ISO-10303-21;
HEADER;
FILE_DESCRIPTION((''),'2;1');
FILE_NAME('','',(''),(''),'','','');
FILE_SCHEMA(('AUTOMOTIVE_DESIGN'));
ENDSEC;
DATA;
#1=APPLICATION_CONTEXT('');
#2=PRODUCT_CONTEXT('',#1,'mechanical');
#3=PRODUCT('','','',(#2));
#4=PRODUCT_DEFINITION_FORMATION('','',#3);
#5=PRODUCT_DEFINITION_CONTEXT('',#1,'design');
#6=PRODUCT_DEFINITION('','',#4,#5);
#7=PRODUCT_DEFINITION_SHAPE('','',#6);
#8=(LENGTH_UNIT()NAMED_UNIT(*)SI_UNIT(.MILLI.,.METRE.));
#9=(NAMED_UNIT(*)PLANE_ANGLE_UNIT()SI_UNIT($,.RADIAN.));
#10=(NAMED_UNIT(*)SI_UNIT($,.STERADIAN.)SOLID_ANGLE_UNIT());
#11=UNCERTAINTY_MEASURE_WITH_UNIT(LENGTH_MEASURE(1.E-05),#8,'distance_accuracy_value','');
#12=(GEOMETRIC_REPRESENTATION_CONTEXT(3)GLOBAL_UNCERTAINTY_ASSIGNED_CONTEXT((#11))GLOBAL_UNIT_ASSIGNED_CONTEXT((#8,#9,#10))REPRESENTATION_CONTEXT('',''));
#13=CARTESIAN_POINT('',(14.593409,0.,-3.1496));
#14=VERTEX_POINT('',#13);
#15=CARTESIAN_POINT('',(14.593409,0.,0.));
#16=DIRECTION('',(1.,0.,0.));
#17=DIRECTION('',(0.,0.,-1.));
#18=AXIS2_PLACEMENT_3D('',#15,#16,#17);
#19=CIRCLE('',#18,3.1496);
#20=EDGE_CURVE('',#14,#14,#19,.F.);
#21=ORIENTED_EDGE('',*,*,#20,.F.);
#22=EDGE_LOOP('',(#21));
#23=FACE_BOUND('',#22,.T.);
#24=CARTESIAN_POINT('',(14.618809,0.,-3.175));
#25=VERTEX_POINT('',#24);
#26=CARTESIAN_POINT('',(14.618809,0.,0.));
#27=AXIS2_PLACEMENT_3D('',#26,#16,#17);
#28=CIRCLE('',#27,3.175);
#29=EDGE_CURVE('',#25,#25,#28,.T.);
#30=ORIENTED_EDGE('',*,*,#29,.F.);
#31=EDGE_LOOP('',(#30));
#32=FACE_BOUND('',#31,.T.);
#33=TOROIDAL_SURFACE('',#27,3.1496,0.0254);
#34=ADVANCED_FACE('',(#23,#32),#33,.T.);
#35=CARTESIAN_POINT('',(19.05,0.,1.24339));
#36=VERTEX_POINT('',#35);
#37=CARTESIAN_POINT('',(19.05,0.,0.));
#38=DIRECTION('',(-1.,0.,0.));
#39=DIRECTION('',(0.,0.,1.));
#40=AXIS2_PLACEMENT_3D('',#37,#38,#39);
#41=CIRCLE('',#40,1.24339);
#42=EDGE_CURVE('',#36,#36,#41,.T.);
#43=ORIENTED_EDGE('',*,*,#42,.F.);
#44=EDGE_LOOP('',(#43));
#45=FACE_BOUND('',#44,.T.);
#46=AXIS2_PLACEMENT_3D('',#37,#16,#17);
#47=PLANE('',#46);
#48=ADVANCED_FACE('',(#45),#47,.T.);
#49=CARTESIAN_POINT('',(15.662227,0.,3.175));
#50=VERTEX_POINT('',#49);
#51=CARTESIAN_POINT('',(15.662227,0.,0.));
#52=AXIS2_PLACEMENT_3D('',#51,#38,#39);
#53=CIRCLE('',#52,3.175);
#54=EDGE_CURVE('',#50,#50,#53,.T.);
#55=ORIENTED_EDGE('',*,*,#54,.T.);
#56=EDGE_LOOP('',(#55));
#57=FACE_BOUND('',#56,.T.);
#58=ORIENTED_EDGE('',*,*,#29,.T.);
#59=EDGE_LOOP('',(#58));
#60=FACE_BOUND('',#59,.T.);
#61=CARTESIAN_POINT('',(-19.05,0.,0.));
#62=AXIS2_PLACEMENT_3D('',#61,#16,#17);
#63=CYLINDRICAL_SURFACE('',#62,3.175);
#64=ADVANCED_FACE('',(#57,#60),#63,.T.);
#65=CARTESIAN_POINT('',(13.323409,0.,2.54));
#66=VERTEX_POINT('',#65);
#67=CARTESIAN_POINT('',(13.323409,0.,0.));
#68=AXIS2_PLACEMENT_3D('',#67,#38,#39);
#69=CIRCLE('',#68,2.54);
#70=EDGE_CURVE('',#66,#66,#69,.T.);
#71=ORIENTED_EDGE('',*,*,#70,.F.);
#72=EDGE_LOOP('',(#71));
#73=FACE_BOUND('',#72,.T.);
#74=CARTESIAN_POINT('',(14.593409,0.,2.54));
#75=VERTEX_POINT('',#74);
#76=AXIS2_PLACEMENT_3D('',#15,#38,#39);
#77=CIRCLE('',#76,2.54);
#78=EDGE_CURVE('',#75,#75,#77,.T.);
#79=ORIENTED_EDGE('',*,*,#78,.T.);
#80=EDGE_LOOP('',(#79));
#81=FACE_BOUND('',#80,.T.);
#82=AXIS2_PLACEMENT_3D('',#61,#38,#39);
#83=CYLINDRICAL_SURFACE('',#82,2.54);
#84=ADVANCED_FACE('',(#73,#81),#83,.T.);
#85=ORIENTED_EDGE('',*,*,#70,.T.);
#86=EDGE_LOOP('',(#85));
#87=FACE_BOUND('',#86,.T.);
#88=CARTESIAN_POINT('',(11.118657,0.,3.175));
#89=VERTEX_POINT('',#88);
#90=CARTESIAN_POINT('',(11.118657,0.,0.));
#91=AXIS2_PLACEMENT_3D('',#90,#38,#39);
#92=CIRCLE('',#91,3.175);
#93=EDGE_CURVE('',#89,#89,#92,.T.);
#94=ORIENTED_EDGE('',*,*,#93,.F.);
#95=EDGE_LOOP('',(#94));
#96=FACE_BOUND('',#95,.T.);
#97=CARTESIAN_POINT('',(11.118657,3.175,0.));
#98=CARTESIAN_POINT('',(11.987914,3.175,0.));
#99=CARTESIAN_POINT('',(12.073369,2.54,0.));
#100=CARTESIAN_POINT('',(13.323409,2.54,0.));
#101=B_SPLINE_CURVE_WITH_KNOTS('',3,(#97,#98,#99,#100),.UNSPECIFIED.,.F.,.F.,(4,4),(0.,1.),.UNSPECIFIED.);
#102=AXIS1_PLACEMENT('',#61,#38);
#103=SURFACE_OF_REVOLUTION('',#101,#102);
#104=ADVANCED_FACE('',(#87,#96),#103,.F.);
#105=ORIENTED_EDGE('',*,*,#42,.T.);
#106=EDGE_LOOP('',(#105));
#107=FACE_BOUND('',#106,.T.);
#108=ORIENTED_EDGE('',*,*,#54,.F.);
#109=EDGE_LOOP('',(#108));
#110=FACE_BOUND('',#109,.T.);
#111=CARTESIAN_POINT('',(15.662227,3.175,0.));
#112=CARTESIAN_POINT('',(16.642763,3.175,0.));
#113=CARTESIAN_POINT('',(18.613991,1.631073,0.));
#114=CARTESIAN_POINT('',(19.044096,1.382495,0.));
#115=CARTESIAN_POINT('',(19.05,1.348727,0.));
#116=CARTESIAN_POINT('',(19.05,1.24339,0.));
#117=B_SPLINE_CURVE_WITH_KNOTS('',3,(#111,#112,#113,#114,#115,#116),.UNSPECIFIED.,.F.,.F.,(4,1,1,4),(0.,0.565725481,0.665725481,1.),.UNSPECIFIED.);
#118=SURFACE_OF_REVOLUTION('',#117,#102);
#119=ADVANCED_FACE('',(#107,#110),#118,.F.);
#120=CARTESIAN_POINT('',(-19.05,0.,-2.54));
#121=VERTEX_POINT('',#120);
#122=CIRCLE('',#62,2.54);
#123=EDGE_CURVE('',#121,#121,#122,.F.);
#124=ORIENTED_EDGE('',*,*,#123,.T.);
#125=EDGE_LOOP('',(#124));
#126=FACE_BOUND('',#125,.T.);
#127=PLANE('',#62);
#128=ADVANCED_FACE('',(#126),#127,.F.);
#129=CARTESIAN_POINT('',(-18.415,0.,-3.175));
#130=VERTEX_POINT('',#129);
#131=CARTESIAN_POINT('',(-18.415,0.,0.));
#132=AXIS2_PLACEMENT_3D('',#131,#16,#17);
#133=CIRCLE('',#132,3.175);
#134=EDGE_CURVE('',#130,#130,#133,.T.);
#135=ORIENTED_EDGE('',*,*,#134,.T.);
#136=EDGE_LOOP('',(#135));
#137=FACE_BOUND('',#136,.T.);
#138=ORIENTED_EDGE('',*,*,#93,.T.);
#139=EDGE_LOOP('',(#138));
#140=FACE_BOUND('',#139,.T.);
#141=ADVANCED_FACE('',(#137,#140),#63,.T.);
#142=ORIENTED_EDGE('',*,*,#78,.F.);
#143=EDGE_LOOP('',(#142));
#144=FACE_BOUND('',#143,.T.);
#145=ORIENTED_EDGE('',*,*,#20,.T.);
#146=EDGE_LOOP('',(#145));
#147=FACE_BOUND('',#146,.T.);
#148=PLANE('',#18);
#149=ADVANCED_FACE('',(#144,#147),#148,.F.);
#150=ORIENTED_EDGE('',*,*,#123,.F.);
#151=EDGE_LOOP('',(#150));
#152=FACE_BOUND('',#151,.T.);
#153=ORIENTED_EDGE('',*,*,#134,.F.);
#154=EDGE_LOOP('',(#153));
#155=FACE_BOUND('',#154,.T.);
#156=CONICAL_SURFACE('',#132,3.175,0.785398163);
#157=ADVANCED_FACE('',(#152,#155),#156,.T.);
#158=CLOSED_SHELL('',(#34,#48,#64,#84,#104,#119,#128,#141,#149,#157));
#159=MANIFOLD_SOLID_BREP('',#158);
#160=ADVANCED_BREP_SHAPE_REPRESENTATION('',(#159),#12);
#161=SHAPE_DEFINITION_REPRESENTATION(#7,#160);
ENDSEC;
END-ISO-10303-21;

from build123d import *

# Parameters (mm, degrees)
EXTRUDE1_DEPTH      = 19.05
EXTRUDE1_DEPTH_BACK = 19.05
SKETCH2_R           = 3.175
CHAMFER1_SIZE       = 0.635
FILLET1_R           = 0.0254


with BuildPart() as part:
    # Sketch2 → Extrude1 (new, two sides: drawn at the far end of the back side and taken through both)
    with BuildSketch(Plane(origin=(0, 0, 0), x_dir=(0, 0, -1), z_dir=(1, 0, 0)).offset(-EXTRUDE1_DEPTH_BACK)):
        Circle(SKETCH2_R)
    extrude(amount=EXTRUDE1_DEPTH + EXTRUDE1_DEPTH_BACK)

    # Chamfer1
    chamfer1_edges = [part.edges().sort_by_distance(p)[0] for p in [
        (-19.05, 0, 3.175),
        (19.05, 0, 3.175),
    ]]
    chamfer(chamfer1_edges, length=CHAMFER1_SIZE)

    # Sketch3 → Cut-Revolve1 (revolve, cut)
    with BuildSketch(Plane.XY, mode=Mode.PRIVATE) as cut_revolve1_sk:
        with BuildLine():
            Line((14.593409285, 2.54), (14.593409285, 3.175))
            Line((14.593409285, 3.175), (11.118656598, 3.175))
            add(Edge.make_bspline(
                [(11.118656598, 3.175), (11.987913735, 3.175), (12.0733688, 2.54), (13.323409285, 2.54)],
                knots=[0, 0, 0, 0, 1, 1, 1, 1], degree=3))
            Line((13.323409285, 2.54), (14.593409285, 2.54))
        make_face()
        with BuildLine():
            Line((19.05, 3.175), (15.662226672, 3.175))
            add(Edge.make_bspline(
                [(15.662226672, 3.175), (16.642763194, 3.175), (18.613991134, 1.631073428), (19.044096366, 1.382495278), (19.05, 1.348727309), (19.05, 1.243390408)],
                knots=[0, 0, 0, 0, 0.565725481, 0.665725481, 1, 1, 1, 1], degree=3))
            Line((19.05, 1.243390408), (19.05, 3.175))
        make_face()
    revolve(cut_revolve1_sk.sketch.rotate(Axis((-19.05, 0, 0), (1, 0, 0)), 90), axis=Axis((-19.05, 0, 0), (1, 0, 0)), mode=Mode.SUBTRACT)

    # Fillet1
    fillet1_edges = [part.edges().sort_by_distance(p)[0] for p in [
        (14.593409285, 0, 3.175),
    ]]
    fillet(fillet1_edges, radius=FILLET1_R)


solid = part.part
